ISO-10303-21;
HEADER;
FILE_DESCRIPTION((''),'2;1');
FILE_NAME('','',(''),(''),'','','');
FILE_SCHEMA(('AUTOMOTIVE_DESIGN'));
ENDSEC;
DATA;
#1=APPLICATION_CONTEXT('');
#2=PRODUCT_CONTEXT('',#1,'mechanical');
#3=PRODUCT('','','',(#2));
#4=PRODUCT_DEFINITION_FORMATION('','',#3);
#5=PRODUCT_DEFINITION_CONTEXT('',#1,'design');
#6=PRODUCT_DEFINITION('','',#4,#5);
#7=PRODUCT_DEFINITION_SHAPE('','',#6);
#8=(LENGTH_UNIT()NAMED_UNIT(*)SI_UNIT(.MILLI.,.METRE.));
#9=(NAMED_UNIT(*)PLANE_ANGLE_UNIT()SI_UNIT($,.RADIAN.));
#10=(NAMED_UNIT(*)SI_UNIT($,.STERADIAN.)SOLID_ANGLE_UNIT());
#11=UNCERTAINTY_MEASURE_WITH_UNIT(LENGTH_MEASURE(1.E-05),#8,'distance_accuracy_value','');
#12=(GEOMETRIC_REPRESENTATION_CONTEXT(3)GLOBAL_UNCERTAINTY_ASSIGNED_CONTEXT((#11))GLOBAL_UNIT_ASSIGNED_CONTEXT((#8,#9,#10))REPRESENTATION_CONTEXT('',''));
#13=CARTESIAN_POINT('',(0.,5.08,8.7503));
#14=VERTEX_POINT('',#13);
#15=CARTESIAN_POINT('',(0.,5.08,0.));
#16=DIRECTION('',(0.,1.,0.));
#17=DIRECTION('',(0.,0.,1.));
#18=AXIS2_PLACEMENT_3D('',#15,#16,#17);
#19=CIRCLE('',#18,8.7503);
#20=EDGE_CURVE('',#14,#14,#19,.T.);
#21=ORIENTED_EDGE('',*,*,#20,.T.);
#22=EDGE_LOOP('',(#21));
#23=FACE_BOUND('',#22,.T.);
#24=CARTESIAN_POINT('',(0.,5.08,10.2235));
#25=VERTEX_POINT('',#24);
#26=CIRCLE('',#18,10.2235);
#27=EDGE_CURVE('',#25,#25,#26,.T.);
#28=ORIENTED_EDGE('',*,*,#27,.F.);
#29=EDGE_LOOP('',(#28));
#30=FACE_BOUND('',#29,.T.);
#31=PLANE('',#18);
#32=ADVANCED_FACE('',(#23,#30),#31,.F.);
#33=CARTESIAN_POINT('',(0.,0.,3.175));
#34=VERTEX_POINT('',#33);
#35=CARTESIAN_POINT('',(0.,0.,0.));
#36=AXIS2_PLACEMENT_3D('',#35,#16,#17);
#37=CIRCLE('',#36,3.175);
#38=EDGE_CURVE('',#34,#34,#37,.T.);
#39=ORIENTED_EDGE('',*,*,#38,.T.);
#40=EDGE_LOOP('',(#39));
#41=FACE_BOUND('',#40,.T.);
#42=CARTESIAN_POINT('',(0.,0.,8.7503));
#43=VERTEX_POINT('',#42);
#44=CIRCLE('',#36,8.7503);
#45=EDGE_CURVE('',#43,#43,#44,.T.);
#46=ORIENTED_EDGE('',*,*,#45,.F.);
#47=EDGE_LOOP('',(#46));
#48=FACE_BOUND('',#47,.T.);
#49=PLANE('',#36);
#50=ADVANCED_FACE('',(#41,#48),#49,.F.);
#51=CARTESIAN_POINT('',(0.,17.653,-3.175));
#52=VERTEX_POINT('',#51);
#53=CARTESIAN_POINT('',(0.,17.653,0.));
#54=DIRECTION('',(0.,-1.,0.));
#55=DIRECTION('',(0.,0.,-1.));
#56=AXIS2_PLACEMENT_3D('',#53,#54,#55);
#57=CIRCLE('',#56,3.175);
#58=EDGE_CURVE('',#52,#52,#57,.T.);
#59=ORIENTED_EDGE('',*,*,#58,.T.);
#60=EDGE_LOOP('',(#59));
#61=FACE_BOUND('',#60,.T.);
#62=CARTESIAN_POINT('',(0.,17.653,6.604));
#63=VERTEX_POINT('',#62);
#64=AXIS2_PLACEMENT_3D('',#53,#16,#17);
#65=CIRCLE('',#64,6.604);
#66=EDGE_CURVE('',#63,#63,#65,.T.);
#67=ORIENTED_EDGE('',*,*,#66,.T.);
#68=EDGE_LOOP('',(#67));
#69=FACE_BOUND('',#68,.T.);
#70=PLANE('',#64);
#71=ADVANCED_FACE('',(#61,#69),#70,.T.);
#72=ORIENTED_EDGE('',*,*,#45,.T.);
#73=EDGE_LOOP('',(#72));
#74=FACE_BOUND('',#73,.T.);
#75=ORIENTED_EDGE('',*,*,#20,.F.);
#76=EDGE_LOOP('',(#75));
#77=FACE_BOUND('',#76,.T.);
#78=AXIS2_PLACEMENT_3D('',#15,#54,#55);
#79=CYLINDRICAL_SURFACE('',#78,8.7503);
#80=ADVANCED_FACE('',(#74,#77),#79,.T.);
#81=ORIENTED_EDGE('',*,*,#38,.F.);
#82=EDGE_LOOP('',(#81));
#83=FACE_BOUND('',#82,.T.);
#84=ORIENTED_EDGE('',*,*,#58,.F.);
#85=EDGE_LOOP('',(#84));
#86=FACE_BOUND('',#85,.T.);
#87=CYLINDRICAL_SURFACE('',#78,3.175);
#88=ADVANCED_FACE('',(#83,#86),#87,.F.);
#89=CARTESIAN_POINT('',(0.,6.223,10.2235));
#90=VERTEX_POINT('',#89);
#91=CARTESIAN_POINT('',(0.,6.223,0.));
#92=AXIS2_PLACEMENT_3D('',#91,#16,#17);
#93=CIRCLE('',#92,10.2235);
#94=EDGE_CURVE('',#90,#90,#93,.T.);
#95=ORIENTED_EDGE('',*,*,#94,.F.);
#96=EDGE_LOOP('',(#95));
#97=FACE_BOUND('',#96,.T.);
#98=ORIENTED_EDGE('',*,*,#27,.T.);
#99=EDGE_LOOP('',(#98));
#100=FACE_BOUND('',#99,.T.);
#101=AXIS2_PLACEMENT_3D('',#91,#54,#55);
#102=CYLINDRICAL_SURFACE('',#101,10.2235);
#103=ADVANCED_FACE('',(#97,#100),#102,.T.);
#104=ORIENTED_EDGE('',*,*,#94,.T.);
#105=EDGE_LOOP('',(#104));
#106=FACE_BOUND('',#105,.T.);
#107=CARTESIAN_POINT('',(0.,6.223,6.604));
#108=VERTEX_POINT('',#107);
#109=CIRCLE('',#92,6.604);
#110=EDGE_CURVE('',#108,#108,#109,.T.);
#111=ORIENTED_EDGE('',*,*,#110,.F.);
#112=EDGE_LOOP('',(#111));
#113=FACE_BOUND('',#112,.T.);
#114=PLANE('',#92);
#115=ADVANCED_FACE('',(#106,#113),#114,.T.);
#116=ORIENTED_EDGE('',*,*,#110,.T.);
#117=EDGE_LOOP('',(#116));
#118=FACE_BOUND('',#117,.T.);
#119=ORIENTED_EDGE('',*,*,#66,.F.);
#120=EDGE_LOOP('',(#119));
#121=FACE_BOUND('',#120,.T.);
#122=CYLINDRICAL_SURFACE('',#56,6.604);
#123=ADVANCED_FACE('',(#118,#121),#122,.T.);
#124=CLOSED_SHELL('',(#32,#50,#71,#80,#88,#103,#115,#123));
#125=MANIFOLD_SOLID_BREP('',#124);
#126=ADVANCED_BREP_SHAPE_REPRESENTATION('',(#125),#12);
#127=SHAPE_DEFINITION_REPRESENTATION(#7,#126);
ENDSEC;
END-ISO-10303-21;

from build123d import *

# Parameters (mm, degrees)
SKETCH1_R           = 8.7503
SKETCH1_R_2         = 3.175
BOSS_EXTRUDE1_DEPTH = 5.08
SKETCH2_R           = 10.2235
SKETCH2_R_2         = 3.175
BOSS_EXTRUDE2_DEPTH = 1.143
SKETCH3_R           = 6.604
BOSS_EXTRUDE3_DEPTH = 11.43
SKETCH4_R           = 3.175
CUT_EXTRUDE1_DEPTH  = 12.43


with BuildPart() as part:
    # Sketch1 → Boss-Extrude1 (new body)
    with BuildSketch(Plane(origin=(0, 0, 0), x_dir=(1, 0, 0), z_dir=(0, 1, 0))):
        Circle(SKETCH1_R)
        Circle(SKETCH1_R_2, mode=Mode.SUBTRACT)
    extrude(amount=BOSS_EXTRUDE1_DEPTH)

    # Sketch2 → Boss-Extrude2 (add)
    with BuildSketch(Plane(origin=(0, 5.08, 0), x_dir=(1, 0, 0), z_dir=(0, 1, 0))):
        Circle(SKETCH2_R)
        Circle(SKETCH2_R_2, mode=Mode.SUBTRACT)
    extrude(amount=BOSS_EXTRUDE2_DEPTH)

    # Sketch3 → Boss-Extrude3 (add)
    with BuildSketch(Plane(origin=(0, 6.223, 0), x_dir=(1, 0, 0), z_dir=(0, 1, 0))):
        Circle(SKETCH3_R)
    extrude(amount=BOSS_EXTRUDE3_DEPTH)

    # Sketch4 → Cut-Extrude1 (cut, through all)
    with BuildSketch(Plane.XZ.offset(-6.223)):
        Circle(SKETCH4_R)
    extrude(amount=-CUT_EXTRUDE1_DEPTH, mode=Mode.SUBTRACT)


solid = part.part
